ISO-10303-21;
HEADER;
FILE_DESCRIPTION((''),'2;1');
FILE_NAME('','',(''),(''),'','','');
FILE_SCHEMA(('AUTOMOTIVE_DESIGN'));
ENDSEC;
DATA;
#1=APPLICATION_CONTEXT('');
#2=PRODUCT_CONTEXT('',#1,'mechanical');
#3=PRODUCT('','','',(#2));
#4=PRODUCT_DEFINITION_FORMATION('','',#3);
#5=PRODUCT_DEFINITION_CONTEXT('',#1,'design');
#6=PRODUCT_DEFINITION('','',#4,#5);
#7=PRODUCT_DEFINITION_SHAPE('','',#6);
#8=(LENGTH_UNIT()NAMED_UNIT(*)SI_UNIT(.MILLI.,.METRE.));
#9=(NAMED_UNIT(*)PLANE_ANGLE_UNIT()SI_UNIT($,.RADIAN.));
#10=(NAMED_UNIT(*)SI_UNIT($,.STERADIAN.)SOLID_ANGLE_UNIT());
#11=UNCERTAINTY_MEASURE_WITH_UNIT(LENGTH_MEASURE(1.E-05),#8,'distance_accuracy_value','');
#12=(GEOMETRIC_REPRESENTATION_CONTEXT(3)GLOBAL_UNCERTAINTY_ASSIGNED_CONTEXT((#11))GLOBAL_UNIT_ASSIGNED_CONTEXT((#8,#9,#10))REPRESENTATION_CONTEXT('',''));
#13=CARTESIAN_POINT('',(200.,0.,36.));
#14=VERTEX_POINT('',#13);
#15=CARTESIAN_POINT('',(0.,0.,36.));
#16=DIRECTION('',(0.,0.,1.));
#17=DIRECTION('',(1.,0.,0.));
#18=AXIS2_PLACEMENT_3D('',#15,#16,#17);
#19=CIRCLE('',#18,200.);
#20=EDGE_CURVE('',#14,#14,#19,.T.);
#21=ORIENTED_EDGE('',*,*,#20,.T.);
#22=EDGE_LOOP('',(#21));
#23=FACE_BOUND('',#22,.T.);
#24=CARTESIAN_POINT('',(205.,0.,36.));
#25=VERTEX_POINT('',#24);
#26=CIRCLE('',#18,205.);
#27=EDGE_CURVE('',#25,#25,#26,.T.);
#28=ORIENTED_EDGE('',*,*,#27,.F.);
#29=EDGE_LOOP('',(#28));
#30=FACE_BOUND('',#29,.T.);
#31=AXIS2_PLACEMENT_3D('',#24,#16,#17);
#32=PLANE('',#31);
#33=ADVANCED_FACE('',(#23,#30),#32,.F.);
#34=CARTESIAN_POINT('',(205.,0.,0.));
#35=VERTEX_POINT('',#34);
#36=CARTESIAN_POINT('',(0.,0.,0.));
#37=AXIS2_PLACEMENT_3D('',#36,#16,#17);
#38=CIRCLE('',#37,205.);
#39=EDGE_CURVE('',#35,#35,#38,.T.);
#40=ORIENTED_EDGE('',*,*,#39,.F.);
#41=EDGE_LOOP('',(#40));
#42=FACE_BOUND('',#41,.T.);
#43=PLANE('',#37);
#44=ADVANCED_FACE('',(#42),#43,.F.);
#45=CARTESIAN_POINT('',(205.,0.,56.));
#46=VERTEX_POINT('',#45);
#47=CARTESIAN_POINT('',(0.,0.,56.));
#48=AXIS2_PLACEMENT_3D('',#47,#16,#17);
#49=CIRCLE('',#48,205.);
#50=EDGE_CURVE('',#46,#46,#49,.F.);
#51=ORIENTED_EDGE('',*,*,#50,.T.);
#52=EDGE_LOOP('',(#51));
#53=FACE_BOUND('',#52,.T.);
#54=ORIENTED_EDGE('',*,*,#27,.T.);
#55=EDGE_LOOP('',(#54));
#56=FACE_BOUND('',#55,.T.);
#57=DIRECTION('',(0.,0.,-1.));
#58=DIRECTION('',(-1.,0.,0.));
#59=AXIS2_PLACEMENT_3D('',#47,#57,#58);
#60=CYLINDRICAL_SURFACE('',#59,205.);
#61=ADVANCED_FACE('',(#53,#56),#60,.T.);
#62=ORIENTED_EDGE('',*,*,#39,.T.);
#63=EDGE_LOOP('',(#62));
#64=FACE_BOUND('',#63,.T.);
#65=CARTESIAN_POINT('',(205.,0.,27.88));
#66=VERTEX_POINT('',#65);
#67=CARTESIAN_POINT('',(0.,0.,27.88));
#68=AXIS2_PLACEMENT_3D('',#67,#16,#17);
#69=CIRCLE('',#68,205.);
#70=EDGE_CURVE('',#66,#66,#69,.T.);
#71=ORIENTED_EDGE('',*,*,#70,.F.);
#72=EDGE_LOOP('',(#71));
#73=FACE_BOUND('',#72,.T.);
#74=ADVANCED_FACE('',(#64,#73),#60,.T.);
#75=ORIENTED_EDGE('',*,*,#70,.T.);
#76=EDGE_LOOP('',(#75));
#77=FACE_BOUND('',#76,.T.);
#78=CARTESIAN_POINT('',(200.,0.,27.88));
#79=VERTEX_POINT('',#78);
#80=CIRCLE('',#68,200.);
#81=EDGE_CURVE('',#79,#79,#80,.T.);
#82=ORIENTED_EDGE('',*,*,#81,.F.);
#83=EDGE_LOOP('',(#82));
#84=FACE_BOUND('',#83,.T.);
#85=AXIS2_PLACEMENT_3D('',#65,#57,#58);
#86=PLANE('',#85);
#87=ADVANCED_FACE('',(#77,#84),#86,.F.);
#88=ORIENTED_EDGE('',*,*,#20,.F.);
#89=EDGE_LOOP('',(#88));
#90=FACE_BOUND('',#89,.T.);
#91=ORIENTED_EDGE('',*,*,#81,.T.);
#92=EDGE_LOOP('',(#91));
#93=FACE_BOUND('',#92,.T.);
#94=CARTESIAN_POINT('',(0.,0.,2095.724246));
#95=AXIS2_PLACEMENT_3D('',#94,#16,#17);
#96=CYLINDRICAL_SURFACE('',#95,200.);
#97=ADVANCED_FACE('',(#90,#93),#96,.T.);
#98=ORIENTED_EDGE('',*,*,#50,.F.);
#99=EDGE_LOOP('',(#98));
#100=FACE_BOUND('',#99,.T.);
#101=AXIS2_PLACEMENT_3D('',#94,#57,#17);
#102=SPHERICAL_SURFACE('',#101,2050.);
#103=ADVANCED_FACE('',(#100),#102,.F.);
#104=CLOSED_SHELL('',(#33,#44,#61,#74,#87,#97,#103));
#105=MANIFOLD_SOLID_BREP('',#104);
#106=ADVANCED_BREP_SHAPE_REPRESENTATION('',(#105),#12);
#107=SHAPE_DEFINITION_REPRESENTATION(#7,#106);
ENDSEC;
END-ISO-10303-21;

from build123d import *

# Parameters (mm, degrees)
ESQUISSE1_R        = 205
BOSS_EXTRU_1_DEPTH = 56
ESQUISSE3_W        = 5
ESQUISSE3_H        = 8.12


with BuildPart() as part:
    # Esquisse1 → Boss.-Extru.1 (new body)
    with BuildSketch(Plane.XY):
        Circle(ESQUISSE1_R)
    extrude(amount=BOSS_EXTRU_1_DEPTH)

    # Esquisse2 → Enlèvement de matière-Révolution6 (revolve, cut)
    with BuildSketch(Plane(origin=(0, 0, 0), x_dir=(1, 0, 0), z_dir=(0, 1, 0))):
        with BuildLine():
            Line((0, -2095.724246069), (0, -45.724246069))
            ThreePointArc((0, -45.724246069), (1449.568901432, -646.155344636), (2050, -2095.724246069))
            Line((2050, -2095.724246069), (0, -2095.724246069))
        make_face()
    revolve(axis=Axis((0, 0, 0), (0, 0, 1)), mode=Mode.SUBTRACT)

    # Esquisse3 → Enlèvement de matière-Révolution7 (revolve, cut)
    with BuildSketch(Plane(origin=(0, 0, 0), x_dir=(1, 0, 0), z_dir=(0, 1, 0))):
        with Locations((202.5, -31.94)):
            Rectangle(ESQUISSE3_W, ESQUISSE3_H)
    revolve(axis=Axis((0, 0, 2095.724246069), (0, 0, -1)), mode=Mode.SUBTRACT)


solid = part.part
